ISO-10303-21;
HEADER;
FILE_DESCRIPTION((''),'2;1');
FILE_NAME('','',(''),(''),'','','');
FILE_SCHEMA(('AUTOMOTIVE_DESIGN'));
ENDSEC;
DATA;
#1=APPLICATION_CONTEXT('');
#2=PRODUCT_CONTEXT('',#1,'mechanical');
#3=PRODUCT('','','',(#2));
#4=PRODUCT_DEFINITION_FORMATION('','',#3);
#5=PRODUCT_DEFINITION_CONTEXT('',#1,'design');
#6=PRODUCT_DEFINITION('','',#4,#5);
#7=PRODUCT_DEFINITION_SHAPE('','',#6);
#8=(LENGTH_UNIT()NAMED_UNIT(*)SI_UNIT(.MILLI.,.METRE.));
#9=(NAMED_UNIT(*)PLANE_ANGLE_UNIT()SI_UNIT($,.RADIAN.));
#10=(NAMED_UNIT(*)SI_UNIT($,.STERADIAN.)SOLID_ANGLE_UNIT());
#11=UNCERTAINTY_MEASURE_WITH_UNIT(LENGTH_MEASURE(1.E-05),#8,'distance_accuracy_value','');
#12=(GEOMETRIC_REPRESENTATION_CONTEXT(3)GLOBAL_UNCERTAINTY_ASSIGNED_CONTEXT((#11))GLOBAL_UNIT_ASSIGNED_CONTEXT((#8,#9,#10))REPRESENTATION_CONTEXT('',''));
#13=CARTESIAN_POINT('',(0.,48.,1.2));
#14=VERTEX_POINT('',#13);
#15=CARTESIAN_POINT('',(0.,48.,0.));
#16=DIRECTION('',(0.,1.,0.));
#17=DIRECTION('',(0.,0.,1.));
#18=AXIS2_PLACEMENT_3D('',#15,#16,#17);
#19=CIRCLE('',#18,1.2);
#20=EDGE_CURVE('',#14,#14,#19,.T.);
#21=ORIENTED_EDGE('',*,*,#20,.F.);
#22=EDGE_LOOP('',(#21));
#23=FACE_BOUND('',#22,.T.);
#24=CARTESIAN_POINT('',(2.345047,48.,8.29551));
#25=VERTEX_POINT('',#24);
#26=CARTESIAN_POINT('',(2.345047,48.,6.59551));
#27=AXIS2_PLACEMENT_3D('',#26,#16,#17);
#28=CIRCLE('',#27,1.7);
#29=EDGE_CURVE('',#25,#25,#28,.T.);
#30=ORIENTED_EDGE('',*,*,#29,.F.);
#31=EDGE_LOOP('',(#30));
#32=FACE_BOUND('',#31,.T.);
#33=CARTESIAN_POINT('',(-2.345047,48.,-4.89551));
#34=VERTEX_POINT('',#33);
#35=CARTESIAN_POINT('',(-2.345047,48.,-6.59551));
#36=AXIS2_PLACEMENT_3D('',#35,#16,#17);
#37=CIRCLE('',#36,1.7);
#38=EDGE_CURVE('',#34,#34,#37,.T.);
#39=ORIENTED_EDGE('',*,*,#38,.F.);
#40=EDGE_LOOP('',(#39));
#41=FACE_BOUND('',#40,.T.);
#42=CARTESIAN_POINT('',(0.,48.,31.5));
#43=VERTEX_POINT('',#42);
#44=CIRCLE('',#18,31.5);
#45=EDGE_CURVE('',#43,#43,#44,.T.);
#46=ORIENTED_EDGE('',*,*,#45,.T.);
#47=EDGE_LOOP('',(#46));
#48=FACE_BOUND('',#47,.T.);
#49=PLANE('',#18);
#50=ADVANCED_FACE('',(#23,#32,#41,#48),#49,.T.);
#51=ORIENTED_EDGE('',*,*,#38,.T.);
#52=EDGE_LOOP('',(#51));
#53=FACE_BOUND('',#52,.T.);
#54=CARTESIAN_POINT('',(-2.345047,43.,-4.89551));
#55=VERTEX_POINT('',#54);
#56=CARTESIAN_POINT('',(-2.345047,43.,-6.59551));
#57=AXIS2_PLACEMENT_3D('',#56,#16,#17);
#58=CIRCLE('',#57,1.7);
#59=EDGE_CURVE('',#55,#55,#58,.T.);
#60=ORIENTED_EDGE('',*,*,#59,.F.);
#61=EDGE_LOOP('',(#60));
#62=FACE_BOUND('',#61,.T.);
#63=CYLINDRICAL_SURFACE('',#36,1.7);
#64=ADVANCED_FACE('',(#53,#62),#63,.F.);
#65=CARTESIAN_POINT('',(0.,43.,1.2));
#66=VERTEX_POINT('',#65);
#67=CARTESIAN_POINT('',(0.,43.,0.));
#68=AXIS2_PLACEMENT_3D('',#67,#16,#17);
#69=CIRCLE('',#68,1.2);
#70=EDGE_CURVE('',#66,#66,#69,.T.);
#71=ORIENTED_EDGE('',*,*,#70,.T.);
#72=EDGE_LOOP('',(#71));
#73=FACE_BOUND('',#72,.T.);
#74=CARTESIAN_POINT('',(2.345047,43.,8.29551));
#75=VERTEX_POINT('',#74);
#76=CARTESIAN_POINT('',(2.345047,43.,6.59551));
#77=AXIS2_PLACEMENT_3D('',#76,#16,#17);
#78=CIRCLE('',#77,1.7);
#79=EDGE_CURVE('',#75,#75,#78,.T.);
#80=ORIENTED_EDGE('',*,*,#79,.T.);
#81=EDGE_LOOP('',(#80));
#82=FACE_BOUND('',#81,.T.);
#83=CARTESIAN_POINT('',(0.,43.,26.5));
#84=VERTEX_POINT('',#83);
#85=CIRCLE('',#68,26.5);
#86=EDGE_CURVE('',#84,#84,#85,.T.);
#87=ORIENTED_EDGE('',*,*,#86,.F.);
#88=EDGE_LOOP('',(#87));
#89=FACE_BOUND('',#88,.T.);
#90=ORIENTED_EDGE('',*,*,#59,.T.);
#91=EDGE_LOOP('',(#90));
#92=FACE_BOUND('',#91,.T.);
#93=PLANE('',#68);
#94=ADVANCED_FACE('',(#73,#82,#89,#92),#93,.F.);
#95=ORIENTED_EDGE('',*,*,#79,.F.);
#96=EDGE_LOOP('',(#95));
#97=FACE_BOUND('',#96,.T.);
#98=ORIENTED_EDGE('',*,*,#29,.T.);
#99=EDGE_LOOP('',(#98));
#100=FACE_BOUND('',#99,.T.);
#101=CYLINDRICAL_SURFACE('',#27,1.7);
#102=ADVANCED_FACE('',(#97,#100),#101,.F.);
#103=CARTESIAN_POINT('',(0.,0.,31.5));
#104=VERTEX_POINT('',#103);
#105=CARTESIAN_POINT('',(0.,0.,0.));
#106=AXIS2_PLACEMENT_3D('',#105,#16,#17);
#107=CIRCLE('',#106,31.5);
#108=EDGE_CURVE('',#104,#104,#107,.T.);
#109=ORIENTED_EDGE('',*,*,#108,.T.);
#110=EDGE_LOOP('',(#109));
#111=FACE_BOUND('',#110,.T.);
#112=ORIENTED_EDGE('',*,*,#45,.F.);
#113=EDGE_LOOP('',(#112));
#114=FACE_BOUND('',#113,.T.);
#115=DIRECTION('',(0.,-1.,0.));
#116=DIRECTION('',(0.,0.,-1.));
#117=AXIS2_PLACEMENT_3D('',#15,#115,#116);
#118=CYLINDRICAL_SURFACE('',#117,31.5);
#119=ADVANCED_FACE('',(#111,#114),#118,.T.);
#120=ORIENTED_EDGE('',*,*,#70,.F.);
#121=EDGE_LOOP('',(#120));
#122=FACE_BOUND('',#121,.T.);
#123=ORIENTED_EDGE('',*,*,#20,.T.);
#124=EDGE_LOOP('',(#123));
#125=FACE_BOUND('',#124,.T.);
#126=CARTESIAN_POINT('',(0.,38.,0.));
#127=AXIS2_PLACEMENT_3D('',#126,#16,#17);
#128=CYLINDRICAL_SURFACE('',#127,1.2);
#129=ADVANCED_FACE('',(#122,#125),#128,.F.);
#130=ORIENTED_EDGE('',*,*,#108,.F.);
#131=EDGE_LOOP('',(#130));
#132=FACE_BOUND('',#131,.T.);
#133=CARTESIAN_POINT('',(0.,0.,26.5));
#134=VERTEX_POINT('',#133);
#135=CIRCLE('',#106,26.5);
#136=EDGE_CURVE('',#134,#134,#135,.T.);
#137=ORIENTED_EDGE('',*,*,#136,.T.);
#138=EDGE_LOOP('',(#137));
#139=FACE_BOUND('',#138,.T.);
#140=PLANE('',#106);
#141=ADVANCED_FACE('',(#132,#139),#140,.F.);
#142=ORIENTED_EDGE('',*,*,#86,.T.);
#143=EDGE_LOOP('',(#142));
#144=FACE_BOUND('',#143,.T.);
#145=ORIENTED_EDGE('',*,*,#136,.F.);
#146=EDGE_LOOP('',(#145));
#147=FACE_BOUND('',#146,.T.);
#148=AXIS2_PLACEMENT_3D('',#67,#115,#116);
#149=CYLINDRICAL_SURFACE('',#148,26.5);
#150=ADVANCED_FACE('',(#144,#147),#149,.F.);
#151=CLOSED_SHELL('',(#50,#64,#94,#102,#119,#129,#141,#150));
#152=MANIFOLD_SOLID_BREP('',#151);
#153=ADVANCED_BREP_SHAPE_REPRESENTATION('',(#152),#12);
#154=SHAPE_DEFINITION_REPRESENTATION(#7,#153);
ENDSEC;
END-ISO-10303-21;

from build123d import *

# Parameters (mm, degrees)
SKETCH4_R                = 31.5
BOSS_EXTRUDE2_DEPTH      = 48
SKETCH3_R                = 26.5
CUT_EXTRUDE1_DEPTH       = 43
M3_CLEARANCE_HOLE1_D     = 3.4
M3_CLEARANCE_HOLE1_DEPTH = 50
M3_CLEARANCE_HOLE1_TIP   = 1.021463052
SKETCH10_R               = 1.2
CUT_EXTRUDE2_DEPTH       = 10


with BuildPart() as part:
    # Sketch4 → Boss-Extrude2 (new body)
    with BuildSketch(Plane(origin=(0, 0, 0), x_dir=(1, 0, 0), z_dir=(0, 1, 0))):
        Circle(SKETCH4_R)
    extrude(amount=BOSS_EXTRUDE2_DEPTH)

    # Sketch3 → Cut-Extrude1 (cut)
    with BuildSketch(Plane(origin=(0, 0, 0), x_dir=(1, 0, 0), z_dir=(0, 1, 0))):
        Circle(SKETCH3_R)
    extrude(amount=CUT_EXTRUDE1_DEPTH, mode=Mode.SUBTRACT)

    # M3 Clearance Hole1
    with Locations(Plane(origin=(0, 48, 0), x_dir=(1, 0, 0), z_dir=(0, 1, 0))):
        with Locations((-2.345047045, 6.595510166), (2.345047045, -6.595510166)):
            Hole(M3_CLEARANCE_HOLE1_D / 2, depth=M3_CLEARANCE_HOLE1_DEPTH)
            with Locations((0, 0, -(M3_CLEARANCE_HOLE1_DEPTH + M3_CLEARANCE_HOLE1_TIP / 2))):  # 118° drill point
                Cone(0, M3_CLEARANCE_HOLE1_D / 2, M3_CLEARANCE_HOLE1_TIP, mode=Mode.SUBTRACT)

    # Sketch10 → Cut-Extrude2 (cut)
    with BuildSketch(Plane(origin=(0, 48, 0), x_dir=(1, 0, 0), z_dir=(0, 1, 0))):
        Circle(SKETCH10_R)
    extrude(amount=-CUT_EXTRUDE2_DEPTH, mode=Mode.SUBTRACT)


solid = part.part
